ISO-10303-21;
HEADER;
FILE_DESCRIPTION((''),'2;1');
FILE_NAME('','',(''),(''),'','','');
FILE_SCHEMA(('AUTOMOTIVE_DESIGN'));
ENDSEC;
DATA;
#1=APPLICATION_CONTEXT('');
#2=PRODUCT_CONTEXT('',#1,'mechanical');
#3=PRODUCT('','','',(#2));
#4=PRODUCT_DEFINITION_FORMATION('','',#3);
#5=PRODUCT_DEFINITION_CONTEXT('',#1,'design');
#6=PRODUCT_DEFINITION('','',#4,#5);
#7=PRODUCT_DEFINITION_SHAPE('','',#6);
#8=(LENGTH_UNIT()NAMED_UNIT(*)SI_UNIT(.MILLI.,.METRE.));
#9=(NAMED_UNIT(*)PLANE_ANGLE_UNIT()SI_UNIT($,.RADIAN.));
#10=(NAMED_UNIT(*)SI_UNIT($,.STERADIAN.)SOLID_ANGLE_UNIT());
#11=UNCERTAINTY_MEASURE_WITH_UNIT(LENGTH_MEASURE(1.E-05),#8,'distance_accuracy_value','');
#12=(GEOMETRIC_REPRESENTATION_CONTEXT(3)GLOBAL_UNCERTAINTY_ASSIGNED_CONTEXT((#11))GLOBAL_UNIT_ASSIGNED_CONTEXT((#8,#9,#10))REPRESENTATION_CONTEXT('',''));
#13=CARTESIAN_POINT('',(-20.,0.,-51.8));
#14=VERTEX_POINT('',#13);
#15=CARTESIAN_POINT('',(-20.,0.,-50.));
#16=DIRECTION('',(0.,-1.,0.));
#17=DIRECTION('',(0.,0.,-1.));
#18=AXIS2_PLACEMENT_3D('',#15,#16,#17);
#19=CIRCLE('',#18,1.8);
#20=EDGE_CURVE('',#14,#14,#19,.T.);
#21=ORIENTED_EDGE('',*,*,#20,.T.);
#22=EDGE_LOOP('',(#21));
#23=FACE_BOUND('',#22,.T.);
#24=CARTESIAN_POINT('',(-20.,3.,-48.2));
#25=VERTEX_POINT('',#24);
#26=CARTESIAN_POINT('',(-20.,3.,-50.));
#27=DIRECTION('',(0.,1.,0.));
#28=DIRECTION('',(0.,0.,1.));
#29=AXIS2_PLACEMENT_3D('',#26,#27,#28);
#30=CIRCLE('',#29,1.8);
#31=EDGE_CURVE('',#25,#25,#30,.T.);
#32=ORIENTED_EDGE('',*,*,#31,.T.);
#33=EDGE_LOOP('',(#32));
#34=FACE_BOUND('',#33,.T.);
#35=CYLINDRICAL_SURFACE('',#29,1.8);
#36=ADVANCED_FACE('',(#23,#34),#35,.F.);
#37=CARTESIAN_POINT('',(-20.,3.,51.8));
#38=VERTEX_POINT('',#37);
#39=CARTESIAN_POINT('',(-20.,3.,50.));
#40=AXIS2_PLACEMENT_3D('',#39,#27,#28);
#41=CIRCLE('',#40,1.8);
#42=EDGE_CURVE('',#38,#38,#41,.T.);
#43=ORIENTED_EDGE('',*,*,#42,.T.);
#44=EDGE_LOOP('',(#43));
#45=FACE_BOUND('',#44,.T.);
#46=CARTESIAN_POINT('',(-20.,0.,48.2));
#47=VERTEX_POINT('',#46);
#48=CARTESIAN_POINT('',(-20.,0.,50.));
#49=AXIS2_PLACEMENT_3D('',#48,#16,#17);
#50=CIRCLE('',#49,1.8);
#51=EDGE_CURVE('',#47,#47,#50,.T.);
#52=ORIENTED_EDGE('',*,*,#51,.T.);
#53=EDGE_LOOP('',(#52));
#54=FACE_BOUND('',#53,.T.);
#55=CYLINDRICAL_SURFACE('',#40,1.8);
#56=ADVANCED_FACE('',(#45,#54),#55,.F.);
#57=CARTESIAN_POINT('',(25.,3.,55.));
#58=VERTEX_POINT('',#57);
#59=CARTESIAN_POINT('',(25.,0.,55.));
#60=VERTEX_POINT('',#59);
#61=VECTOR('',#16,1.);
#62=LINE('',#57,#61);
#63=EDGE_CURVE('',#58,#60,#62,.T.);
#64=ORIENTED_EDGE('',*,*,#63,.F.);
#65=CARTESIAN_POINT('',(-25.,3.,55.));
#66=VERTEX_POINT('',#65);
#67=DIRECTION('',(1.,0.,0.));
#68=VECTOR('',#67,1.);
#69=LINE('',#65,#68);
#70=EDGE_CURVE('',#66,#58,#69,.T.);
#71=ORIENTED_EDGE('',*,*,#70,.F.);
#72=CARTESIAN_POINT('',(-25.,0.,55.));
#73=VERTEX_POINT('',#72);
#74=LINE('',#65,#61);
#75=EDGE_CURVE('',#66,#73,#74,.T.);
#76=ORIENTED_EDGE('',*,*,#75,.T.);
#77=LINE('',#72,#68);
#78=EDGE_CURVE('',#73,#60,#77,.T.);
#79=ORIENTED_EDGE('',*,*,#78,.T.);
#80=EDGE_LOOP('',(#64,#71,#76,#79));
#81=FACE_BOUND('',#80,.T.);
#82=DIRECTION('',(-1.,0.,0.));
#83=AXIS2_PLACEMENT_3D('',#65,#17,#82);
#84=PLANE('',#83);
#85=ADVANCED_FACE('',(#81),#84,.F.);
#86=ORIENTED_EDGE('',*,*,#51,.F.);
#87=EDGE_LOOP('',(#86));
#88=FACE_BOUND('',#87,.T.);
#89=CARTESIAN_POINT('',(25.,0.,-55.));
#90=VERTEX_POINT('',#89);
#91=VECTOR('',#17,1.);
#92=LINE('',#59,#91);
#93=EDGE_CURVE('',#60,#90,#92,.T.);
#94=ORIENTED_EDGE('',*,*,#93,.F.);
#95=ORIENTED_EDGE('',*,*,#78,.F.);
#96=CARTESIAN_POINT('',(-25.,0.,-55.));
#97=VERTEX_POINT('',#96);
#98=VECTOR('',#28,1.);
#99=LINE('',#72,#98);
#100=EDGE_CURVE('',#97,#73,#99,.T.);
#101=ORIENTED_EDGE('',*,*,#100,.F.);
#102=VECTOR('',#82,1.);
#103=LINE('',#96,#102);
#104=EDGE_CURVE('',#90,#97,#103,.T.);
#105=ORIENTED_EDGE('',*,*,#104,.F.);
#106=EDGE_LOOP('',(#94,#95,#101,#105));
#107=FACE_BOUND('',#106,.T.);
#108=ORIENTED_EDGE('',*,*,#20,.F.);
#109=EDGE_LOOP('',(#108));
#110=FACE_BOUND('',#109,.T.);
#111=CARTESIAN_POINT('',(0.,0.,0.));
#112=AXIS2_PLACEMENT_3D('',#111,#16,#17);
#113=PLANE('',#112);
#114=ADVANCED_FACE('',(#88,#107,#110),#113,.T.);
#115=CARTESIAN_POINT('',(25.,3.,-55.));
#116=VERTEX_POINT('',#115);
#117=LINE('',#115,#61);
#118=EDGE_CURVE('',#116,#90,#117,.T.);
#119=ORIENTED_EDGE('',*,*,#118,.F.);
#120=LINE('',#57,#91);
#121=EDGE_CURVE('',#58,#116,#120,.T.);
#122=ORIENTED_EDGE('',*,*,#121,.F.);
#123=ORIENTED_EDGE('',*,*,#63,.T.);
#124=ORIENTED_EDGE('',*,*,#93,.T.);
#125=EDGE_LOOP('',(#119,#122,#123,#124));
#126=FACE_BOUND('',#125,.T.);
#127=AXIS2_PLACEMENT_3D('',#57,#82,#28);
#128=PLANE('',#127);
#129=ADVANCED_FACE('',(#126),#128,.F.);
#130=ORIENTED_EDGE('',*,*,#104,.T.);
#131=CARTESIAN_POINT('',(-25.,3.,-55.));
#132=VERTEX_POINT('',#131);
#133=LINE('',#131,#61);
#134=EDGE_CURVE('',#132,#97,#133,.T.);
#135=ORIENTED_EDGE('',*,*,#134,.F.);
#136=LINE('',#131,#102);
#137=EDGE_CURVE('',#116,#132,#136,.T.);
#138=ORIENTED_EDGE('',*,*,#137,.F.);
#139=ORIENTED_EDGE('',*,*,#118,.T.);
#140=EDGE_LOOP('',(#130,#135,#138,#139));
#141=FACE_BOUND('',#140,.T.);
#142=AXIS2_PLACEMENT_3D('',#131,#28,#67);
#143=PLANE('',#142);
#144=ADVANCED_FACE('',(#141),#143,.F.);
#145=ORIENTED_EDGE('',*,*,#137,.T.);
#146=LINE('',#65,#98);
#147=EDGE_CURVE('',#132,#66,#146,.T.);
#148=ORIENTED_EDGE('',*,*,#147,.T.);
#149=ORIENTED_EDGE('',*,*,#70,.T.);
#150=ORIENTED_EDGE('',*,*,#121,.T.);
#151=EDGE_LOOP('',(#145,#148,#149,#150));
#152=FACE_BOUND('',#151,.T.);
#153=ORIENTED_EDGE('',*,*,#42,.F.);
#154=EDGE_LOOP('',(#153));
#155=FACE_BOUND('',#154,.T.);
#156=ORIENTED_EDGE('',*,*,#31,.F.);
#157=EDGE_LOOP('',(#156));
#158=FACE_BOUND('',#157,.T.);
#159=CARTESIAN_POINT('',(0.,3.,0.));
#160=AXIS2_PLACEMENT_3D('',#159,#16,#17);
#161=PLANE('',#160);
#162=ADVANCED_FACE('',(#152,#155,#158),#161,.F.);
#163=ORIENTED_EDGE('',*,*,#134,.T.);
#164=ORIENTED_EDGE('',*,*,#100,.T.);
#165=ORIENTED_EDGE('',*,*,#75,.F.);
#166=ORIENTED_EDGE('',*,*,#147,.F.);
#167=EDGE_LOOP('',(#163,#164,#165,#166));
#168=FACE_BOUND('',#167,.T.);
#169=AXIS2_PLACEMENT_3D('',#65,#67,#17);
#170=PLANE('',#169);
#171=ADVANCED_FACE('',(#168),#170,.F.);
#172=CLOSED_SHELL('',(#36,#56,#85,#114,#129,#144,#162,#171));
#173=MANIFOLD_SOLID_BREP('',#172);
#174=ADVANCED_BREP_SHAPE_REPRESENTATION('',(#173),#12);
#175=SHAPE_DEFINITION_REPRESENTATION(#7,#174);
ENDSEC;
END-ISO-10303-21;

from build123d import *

# Parameters (mm, degrees)
SKETCH1_W                = 50
SKETCH1_H                = 110
BOSS_EXTRUDE1_DEPTH      = 3
M3_CLEARANCE_HOLE1_D     = 3.6
M3_CLEARANCE_HOLE1_DEPTH = 6
M3_CLEARANCE_HOLE1_TIP   = 1.081549114


with BuildPart() as part:
    # Sketch1 → Boss-Extrude1 (new body)
    with BuildSketch(Plane(origin=(0, 0, 0), x_dir=(1, 0, 0), z_dir=(0, 1, 0))):
        Rectangle(SKETCH1_W, SKETCH1_H)
    extrude(amount=BOSS_EXTRUDE1_DEPTH)

    # M3 Clearance Hole1
    with Locations(Plane(origin=(0, 3, 0), x_dir=(1, 0, 0), z_dir=(0, 1, 0))):
        with Locations((-20, 50), (-20, -50)):
            Hole(M3_CLEARANCE_HOLE1_D / 2, depth=M3_CLEARANCE_HOLE1_DEPTH)
            with Locations((0, 0, -(M3_CLEARANCE_HOLE1_DEPTH + M3_CLEARANCE_HOLE1_TIP / 2))):  # 118° drill point
                Cone(0, M3_CLEARANCE_HOLE1_D / 2, M3_CLEARANCE_HOLE1_TIP, mode=Mode.SUBTRACT)


solid = part.part
